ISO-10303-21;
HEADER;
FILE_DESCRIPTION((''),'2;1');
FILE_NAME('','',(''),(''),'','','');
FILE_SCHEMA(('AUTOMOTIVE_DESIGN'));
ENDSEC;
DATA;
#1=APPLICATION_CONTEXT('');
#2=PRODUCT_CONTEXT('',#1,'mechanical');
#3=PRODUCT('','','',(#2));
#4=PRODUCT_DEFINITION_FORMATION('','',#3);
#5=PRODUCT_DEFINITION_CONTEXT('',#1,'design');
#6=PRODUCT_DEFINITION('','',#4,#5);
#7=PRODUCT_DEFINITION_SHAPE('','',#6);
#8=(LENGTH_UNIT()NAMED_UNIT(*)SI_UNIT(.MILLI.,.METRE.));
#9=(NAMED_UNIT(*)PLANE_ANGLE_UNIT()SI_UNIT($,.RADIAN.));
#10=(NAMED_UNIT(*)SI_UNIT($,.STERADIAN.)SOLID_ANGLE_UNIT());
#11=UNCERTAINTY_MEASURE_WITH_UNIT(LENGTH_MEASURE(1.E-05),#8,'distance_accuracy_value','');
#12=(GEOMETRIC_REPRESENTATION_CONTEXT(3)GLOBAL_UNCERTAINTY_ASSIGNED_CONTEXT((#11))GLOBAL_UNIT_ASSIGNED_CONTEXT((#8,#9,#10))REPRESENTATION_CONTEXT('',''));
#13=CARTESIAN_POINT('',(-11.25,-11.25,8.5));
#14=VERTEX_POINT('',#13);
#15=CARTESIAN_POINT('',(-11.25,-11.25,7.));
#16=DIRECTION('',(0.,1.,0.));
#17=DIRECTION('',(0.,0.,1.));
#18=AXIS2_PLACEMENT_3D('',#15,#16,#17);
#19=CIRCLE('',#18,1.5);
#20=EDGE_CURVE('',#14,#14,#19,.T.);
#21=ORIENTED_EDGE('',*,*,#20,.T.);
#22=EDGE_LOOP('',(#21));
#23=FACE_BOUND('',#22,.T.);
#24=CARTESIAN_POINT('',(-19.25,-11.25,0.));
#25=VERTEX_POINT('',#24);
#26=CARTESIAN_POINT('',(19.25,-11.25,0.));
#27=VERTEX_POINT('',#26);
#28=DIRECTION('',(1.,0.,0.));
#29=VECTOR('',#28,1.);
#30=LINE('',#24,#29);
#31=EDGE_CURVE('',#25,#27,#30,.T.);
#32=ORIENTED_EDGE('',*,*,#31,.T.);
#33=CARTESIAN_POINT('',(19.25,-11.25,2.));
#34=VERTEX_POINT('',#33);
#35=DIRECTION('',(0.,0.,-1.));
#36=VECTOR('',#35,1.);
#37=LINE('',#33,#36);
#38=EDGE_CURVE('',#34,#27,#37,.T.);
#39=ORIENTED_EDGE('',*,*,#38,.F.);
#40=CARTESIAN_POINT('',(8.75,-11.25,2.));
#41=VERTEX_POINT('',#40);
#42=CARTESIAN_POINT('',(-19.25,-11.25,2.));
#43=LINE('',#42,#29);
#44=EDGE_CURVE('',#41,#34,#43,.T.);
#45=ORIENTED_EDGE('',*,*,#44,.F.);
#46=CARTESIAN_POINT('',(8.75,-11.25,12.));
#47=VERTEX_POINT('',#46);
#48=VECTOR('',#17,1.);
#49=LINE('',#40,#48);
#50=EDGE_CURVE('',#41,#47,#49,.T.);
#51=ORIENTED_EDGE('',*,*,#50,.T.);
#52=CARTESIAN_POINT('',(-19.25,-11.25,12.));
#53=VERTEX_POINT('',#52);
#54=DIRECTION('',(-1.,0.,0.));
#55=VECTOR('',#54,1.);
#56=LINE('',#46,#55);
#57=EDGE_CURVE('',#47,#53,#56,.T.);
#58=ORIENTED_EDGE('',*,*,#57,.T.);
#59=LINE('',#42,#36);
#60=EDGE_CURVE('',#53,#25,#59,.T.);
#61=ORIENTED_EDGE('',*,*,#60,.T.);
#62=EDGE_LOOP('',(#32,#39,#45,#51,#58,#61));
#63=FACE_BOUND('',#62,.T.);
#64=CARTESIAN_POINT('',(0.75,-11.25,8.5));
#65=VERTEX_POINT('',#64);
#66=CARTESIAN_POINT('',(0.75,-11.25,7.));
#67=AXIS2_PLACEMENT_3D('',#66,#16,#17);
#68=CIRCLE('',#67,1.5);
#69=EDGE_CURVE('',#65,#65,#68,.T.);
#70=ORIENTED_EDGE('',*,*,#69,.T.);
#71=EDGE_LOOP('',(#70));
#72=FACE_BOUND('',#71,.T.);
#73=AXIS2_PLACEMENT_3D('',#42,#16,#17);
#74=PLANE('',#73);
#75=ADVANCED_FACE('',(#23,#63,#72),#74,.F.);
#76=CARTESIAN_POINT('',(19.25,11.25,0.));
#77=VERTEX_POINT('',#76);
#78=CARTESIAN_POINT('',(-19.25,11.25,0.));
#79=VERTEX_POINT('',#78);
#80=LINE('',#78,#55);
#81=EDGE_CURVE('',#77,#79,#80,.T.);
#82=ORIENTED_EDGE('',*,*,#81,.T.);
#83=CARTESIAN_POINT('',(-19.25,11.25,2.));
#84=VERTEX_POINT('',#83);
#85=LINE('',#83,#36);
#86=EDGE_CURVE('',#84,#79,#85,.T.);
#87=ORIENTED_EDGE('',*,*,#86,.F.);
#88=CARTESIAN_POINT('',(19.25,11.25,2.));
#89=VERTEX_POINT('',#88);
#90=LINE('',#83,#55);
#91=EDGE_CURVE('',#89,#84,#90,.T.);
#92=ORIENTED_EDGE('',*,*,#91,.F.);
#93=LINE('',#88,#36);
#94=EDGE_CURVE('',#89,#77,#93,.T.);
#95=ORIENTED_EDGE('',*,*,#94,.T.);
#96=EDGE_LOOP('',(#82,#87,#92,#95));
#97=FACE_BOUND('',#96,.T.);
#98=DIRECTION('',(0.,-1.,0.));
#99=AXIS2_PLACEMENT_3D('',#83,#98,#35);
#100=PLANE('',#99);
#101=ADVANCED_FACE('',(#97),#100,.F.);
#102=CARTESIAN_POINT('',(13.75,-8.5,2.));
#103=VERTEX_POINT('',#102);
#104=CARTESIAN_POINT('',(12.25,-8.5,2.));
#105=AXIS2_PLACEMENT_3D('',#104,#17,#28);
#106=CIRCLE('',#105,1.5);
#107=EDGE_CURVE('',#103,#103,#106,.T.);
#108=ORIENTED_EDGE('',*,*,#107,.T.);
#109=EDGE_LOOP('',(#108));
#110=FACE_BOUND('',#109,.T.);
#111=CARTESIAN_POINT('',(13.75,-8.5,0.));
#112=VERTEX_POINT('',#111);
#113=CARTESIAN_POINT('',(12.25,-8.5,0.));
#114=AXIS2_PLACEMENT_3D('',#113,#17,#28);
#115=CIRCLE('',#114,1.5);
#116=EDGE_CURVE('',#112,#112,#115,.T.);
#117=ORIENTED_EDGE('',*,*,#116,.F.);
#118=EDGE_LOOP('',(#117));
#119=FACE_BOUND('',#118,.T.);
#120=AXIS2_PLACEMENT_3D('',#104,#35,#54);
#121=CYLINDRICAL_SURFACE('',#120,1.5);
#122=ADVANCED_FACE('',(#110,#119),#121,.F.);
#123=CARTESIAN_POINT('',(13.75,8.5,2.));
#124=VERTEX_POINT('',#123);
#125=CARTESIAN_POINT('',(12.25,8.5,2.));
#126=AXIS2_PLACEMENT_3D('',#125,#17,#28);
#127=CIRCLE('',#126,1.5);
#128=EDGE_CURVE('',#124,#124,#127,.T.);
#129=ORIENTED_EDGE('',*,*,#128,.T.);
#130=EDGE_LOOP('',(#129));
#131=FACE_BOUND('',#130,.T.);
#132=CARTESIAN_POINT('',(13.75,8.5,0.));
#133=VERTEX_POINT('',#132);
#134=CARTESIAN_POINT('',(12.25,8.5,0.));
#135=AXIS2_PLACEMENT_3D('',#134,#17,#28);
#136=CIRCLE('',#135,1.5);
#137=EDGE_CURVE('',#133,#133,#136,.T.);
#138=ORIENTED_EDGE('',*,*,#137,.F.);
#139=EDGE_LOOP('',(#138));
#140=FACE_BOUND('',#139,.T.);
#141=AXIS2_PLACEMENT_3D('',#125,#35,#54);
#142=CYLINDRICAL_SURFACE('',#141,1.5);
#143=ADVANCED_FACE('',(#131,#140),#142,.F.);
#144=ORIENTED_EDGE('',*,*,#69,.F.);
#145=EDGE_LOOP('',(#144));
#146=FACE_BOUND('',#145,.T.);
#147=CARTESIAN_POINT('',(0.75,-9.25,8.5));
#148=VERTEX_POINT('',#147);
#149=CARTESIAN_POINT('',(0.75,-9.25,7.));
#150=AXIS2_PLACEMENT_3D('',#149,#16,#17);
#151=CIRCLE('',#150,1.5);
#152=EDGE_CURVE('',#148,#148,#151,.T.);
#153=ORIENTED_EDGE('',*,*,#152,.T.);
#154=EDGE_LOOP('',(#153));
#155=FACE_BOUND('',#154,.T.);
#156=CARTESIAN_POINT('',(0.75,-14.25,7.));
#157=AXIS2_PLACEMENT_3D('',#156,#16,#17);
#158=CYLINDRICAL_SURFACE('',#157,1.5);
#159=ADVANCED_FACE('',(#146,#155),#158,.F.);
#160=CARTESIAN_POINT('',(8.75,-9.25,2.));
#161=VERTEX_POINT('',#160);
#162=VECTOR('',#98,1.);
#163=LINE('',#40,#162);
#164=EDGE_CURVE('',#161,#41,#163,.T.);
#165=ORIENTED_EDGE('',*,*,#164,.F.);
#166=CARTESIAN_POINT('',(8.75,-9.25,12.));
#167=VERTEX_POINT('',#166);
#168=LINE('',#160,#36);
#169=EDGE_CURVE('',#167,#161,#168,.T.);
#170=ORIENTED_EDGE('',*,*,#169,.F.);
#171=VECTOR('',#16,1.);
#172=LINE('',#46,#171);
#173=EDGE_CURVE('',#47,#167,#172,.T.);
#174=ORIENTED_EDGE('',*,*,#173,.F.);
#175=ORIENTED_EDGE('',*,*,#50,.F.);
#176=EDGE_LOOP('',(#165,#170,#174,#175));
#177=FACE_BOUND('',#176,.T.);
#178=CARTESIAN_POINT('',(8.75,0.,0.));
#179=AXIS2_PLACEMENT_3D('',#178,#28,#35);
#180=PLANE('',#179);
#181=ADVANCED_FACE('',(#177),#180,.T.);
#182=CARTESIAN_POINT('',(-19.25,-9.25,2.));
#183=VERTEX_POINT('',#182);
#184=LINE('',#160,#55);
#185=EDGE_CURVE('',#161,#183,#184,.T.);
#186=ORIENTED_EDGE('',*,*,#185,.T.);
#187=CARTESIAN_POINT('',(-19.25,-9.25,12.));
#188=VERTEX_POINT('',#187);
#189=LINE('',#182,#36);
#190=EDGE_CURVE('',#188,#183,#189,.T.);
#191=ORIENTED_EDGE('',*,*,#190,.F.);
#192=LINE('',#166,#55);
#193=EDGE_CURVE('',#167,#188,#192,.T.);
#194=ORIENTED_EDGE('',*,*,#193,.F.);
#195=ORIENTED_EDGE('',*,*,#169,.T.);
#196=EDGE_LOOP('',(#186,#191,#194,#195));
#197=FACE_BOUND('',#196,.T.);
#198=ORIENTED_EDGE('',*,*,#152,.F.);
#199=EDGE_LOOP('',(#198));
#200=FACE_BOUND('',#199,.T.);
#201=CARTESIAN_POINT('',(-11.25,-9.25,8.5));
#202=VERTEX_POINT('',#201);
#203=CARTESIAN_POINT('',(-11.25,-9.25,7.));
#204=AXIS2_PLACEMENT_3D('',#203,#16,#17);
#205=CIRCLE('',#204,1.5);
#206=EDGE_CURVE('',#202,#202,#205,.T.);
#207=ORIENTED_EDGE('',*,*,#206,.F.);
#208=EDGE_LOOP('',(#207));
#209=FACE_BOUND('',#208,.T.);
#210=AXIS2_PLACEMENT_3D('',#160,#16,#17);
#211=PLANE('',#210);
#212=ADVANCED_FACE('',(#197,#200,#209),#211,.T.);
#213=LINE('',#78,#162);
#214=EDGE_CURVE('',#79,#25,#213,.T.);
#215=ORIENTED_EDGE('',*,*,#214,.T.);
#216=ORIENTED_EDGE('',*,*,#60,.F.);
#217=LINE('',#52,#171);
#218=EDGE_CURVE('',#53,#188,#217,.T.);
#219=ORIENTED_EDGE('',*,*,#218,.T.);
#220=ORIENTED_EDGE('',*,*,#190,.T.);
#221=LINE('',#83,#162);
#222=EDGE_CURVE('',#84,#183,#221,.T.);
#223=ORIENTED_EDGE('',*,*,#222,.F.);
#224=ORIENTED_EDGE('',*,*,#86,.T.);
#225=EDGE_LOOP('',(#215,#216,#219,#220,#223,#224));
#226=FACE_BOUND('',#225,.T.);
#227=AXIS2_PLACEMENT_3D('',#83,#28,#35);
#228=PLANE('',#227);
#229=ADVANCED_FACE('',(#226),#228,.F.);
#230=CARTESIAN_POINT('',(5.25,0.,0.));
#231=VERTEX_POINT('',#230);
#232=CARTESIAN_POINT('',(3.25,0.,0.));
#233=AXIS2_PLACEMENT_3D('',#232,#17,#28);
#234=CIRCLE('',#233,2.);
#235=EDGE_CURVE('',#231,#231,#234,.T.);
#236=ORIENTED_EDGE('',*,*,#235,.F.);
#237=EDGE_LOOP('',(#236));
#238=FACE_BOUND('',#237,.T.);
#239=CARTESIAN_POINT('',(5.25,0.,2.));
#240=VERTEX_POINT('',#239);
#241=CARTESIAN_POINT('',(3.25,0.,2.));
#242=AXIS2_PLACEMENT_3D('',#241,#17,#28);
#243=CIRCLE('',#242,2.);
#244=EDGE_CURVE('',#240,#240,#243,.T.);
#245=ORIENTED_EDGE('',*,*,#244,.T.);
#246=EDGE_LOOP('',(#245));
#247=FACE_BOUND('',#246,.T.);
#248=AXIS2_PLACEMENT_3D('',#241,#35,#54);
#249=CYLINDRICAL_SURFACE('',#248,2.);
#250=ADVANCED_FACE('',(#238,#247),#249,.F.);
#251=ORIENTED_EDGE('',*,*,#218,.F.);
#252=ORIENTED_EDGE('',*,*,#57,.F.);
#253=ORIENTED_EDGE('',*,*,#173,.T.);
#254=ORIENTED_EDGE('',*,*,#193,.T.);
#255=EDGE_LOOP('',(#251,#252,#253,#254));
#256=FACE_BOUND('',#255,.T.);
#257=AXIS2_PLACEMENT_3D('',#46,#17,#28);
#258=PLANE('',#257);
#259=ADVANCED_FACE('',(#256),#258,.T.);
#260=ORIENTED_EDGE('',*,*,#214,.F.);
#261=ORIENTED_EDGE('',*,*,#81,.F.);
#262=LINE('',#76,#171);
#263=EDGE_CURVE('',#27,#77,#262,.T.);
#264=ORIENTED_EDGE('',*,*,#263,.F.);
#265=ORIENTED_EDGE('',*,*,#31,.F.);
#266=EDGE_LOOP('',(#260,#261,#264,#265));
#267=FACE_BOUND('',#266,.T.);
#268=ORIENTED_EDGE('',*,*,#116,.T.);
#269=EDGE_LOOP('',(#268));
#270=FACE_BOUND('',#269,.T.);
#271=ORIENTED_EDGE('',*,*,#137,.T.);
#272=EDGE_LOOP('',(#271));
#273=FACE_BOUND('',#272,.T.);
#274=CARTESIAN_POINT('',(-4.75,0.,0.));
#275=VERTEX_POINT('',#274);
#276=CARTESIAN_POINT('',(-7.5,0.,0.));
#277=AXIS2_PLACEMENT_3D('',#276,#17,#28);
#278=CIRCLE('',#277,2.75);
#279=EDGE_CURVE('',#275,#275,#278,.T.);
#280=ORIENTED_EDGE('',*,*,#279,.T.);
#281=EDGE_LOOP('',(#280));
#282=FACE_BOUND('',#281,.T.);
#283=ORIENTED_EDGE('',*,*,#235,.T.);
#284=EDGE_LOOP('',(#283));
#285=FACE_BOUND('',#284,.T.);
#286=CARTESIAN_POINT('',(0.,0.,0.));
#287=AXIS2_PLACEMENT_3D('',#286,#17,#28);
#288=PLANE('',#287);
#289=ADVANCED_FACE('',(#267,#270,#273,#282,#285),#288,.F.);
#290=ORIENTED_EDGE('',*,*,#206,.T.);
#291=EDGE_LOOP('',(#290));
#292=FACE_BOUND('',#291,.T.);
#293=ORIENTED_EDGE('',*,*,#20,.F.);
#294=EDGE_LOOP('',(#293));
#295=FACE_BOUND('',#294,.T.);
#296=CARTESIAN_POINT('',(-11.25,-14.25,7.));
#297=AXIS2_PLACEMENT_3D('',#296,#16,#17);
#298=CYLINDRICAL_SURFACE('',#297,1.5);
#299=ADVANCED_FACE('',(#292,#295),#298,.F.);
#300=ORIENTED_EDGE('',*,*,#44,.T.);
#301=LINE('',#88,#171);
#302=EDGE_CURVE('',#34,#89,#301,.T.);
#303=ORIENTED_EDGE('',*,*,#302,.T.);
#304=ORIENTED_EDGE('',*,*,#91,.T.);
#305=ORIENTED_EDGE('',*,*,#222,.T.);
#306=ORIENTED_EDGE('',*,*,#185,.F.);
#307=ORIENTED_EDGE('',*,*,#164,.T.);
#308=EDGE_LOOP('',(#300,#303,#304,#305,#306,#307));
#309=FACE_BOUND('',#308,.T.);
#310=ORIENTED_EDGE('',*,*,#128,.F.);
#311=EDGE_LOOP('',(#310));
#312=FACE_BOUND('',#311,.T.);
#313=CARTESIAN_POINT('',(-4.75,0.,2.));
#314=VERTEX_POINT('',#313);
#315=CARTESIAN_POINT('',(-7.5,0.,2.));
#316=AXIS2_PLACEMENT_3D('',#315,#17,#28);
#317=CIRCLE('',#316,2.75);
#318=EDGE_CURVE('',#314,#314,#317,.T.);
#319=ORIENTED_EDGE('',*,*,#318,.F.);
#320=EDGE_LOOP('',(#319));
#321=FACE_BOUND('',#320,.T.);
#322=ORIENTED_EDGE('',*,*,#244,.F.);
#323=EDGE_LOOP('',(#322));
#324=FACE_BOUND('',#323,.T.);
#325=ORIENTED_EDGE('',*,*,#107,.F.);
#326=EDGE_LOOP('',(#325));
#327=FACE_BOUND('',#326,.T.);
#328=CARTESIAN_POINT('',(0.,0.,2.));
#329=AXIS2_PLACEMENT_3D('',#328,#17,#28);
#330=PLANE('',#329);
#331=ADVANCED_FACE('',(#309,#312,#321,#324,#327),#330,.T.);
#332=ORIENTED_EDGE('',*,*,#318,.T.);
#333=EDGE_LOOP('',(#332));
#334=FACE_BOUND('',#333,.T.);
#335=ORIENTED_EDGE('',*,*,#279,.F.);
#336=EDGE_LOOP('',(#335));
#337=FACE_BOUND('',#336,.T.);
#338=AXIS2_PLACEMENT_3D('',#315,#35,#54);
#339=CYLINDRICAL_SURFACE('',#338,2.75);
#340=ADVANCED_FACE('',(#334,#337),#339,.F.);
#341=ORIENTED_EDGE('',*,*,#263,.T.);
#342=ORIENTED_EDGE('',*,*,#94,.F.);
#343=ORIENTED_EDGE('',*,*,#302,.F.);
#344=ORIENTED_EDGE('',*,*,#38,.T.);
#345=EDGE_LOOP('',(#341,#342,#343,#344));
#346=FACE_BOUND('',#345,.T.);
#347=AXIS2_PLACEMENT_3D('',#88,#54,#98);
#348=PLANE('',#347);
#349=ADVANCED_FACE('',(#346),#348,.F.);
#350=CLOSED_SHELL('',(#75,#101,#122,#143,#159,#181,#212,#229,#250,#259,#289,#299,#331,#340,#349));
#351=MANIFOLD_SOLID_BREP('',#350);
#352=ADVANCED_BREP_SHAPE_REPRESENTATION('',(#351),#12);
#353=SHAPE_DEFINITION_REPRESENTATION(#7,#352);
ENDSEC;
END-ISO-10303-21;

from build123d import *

# Parameters (mm, degrees)
SKETCH1_W           = 38.5
SKETCH1_H           = 22.5
SKETCH1_R           = 2.75
SKETCH1_R_2         = 2
SKETCH1_R_3         = 1.5
BOSS_EXTRUDE1_DEPTH = 2
SKETCH2_W           = 10
SKETCH2_H           = 2
BOSS_EXTRUDE2_DEPTH = 28
SKETCH4_R           = 1.5
CUT_EXTRUDE1_DEPTH  = 5


with BuildPart() as part:
    # Sketch1 → Boss-Extrude1 (new body)
    with BuildSketch(Plane.XY):
        Rectangle(SKETCH1_W, SKETCH1_H)
        with Locations((-7.5, 0)):
            Circle(SKETCH1_R, mode=Mode.SUBTRACT)
        with Locations((3.25, 0)):
            Circle(SKETCH1_R_2, mode=Mode.SUBTRACT)
        with Locations((12.25, -8.5)):
            Circle(SKETCH1_R_3, mode=Mode.SUBTRACT)
        with Locations((12.25, 8.5)):
            Circle(SKETCH1_R_3, mode=Mode.SUBTRACT)
    extrude(amount=BOSS_EXTRUDE1_DEPTH)

    # Sketch2 → Boss-Extrude2 (add)
    with BuildSketch(Plane.ZY.offset(19.25)):
        with Locations((7, -10.25)):
            Rectangle(SKETCH2_W, SKETCH2_H)
    extrude(amount=-BOSS_EXTRUDE2_DEPTH)

    # Sketch4 → Cut-Extrude1 (cut)
    with BuildSketch(Plane(origin=(0, -9.25, 0), x_dir=(1, 0, 0), z_dir=(0, 1, 0))):
        with Locations(Location((-11.25, -7, 0), (0, 0, 270))):  # turned: the seam where the file's is
            Circle(SKETCH4_R)
        with Locations(Location((0.75, -7, 0), (0, 0, 270))):  # turned: the seam where the file's is
            Circle(SKETCH4_R)
    extrude(amount=-CUT_EXTRUDE1_DEPTH, mode=Mode.SUBTRACT)


solid = part.part
